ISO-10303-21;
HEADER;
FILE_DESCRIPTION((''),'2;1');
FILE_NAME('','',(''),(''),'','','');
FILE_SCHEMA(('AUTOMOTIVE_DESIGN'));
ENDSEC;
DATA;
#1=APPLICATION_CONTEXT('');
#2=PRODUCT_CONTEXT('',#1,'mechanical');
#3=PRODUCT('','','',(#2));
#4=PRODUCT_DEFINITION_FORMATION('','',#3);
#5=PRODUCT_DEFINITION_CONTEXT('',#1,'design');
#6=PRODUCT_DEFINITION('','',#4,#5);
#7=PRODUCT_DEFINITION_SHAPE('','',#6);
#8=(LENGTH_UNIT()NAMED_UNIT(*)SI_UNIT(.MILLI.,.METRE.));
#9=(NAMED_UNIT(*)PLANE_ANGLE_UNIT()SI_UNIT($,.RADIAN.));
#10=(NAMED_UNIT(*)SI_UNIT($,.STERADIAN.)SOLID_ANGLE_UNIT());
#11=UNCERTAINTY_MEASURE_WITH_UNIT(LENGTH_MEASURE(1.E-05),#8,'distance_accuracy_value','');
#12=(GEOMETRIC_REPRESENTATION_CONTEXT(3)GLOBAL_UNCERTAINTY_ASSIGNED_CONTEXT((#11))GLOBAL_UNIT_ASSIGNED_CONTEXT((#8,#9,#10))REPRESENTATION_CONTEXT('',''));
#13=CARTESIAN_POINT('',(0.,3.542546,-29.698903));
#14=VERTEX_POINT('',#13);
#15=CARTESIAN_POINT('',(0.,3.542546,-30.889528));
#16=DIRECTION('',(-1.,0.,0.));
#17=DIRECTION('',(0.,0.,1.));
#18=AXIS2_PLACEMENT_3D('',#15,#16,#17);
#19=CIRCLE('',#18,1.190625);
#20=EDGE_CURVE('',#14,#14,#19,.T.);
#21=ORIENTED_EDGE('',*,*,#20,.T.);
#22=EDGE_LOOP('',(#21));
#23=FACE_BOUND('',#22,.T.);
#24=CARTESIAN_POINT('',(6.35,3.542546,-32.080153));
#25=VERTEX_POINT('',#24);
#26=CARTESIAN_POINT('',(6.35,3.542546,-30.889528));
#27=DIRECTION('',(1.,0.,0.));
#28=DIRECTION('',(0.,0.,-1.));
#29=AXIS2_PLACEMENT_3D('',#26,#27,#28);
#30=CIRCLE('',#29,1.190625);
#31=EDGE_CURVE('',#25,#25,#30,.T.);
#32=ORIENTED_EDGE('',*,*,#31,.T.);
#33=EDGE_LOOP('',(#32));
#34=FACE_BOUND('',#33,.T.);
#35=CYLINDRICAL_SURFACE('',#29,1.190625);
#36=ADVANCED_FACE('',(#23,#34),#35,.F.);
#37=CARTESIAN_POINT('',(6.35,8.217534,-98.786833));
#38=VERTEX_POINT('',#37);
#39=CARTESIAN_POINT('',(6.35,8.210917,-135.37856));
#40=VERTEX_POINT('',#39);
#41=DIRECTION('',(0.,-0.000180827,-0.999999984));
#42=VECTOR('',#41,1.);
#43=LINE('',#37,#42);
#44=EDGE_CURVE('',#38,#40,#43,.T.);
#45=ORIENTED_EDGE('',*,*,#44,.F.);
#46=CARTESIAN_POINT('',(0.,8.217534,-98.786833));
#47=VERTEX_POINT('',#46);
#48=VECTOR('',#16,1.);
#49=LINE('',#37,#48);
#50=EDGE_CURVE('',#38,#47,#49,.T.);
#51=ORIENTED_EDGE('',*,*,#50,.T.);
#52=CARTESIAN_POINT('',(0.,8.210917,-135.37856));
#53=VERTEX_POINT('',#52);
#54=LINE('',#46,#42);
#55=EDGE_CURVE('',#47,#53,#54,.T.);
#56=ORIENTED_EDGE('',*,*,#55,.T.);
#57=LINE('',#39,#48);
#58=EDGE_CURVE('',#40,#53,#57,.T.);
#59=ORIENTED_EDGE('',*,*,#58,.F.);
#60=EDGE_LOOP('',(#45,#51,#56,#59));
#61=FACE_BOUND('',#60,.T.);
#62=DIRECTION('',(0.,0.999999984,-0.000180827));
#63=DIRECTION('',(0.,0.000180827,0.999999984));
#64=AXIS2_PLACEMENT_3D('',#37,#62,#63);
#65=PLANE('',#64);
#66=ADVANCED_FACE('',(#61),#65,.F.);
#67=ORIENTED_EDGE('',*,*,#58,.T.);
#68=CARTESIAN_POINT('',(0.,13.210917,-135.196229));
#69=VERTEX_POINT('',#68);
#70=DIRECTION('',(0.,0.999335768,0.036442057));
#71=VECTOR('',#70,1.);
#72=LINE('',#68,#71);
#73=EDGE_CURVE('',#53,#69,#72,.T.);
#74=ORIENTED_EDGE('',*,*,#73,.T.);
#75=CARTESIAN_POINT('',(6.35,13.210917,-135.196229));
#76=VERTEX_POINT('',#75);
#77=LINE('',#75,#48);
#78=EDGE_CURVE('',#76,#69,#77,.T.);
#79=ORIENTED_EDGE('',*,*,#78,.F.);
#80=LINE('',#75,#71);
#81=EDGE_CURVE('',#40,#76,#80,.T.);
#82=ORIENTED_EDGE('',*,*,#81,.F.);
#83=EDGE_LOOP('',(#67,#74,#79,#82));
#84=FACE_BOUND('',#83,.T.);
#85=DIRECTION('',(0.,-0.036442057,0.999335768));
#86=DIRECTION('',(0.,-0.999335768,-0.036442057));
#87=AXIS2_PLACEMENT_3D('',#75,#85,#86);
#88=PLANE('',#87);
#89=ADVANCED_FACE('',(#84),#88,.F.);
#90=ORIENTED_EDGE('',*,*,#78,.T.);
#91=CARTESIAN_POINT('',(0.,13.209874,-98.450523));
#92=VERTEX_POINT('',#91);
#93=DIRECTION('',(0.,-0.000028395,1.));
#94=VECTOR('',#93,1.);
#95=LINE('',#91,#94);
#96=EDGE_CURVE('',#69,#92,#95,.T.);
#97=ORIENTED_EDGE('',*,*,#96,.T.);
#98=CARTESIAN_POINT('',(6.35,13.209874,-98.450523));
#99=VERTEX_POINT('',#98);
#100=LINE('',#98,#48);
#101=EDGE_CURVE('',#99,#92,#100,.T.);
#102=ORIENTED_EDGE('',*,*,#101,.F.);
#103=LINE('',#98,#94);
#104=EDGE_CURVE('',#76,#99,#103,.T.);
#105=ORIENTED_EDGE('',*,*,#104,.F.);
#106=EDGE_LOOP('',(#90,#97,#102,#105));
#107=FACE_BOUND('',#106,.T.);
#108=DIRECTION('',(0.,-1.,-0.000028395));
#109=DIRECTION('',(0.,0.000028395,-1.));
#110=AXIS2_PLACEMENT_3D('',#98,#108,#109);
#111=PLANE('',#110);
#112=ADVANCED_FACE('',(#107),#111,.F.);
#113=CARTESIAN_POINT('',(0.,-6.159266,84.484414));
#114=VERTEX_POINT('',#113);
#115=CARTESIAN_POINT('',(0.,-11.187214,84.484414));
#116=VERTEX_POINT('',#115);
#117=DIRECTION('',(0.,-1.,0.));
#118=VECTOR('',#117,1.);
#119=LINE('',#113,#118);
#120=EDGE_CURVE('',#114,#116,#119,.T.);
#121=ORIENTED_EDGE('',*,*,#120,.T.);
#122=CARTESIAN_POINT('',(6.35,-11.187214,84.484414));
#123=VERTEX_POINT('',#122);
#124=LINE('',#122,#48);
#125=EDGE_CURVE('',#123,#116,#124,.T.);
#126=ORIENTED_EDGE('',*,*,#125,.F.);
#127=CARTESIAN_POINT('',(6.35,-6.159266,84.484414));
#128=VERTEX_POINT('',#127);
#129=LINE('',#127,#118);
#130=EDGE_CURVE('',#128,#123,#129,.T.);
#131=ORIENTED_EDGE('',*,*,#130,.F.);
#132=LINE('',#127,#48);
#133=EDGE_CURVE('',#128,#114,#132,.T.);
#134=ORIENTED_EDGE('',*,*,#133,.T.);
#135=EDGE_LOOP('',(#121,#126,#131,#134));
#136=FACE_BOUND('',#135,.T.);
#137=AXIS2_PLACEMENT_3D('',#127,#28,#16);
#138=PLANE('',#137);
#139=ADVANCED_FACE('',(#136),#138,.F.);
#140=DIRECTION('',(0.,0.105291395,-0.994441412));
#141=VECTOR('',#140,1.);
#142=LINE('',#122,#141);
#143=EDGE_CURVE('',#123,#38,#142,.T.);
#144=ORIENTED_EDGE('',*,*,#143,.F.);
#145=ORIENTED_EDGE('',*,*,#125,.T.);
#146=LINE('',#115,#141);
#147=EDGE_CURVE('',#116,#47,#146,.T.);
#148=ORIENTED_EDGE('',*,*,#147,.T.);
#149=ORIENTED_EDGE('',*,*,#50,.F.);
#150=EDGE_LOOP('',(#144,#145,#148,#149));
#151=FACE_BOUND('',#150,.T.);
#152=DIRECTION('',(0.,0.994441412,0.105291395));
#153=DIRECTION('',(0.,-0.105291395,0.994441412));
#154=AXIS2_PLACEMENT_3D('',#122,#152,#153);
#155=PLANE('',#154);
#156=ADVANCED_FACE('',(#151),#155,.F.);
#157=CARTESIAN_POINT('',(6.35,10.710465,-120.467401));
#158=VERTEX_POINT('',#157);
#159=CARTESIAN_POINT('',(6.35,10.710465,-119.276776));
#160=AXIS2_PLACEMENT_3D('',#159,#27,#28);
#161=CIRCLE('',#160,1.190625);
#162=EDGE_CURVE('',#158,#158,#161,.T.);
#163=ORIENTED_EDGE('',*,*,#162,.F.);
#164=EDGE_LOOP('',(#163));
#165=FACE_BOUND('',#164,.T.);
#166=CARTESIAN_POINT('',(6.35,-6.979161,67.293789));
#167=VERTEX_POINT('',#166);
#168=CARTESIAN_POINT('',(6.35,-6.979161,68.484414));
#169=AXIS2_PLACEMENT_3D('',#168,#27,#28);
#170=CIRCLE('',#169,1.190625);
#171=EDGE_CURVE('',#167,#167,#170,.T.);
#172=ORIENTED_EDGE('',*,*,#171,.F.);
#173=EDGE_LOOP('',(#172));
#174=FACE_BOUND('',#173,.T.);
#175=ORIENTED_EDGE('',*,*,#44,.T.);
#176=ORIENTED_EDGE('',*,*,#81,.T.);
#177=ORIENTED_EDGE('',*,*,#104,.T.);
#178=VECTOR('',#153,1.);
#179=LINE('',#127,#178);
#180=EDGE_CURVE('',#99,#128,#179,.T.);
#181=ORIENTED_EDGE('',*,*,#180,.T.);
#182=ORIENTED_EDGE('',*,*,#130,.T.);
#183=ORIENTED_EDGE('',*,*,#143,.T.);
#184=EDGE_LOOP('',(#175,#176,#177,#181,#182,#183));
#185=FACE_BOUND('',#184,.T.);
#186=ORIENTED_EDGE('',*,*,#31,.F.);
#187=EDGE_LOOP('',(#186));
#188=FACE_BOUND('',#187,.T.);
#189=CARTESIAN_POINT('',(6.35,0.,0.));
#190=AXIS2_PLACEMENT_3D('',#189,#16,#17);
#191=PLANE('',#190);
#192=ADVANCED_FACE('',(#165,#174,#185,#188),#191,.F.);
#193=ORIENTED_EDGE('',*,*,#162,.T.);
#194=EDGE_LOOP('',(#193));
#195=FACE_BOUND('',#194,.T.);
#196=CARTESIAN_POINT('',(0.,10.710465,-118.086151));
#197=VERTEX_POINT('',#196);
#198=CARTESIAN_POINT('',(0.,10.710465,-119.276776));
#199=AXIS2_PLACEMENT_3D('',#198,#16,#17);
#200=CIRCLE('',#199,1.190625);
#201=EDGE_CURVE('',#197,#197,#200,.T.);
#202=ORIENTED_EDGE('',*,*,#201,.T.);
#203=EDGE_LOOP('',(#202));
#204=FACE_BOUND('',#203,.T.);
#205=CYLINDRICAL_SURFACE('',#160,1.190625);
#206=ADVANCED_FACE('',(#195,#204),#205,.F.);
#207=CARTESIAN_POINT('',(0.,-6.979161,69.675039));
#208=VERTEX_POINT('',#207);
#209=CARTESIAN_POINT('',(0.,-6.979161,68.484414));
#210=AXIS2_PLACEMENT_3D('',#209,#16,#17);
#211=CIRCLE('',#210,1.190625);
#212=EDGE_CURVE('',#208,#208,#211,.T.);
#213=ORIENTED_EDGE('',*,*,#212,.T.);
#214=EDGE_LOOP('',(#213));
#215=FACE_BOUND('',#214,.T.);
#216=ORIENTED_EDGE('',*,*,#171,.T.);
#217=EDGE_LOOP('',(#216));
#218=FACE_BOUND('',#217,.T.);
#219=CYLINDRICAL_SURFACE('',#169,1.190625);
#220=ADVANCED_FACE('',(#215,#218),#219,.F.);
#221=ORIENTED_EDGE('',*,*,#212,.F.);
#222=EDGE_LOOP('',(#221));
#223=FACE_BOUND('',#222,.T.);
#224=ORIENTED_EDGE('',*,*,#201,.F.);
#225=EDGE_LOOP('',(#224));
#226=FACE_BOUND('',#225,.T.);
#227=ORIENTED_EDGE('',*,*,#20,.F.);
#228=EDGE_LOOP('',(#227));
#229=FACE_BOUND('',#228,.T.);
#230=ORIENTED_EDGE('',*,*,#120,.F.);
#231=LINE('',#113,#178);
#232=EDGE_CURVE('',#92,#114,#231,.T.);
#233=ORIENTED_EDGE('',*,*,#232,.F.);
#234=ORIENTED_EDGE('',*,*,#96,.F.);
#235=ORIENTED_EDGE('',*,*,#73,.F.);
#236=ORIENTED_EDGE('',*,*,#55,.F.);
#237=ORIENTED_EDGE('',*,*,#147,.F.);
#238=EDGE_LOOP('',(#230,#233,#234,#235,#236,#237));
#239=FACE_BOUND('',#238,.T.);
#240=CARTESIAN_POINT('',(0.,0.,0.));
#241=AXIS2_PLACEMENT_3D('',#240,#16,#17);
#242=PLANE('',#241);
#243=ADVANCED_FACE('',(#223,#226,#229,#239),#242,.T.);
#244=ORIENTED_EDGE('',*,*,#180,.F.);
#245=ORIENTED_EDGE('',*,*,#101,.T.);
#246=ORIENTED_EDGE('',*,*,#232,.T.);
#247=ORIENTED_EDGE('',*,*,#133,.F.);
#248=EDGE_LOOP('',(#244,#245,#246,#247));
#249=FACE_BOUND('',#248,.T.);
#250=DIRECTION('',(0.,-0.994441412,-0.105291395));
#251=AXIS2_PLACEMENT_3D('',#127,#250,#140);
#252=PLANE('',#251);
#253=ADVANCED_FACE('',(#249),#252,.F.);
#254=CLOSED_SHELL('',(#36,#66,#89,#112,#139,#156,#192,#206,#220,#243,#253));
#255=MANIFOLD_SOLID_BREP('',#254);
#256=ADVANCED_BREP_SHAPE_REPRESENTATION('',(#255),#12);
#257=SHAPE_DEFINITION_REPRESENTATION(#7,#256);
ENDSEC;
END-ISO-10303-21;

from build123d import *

# Parameters (mm, degrees)
BOSS_EXTRUDE1_DEPTH                 = 6.35
F_3_32_0_09375_DIAMETER_HOLE1_D     = 2.38125
F_3_32_0_09375_DIAMETER_HOLE1_DEPTH = 8
F_3_32_0_09375_DIAMETER_HOLE1_TIP   = 0.715399675


with BuildPart() as part:
    # Sketch8 → Boss-Extrude1 (new body)
    with BuildSketch(Plane(origin=(0, 0, 0), x_dir=(0, 0, -1), z_dir=(1, 0, 0))):
        Polygon((-84.484414223, -6.159266037), (-84.484414223, -11.187214329), (98.786832766, 8.217533909), (135.378560096, 8.21091712), (135.196228698, 13.21091712), (98.450522899, 13.209873734), align=None)
    extrude(amount=BOSS_EXTRUDE1_DEPTH)

    # 3/32 (0.09375) Diameter Hole1
    with Locations(Plane(origin=(6.35, 0, 0), x_dir=(0, 0, -1), z_dir=(1, 0, 0))):
        with Locations((-68.484414223, -6.979161178), (30.889527611, 3.542545606), (119.276776099, 10.71046509)):
            Hole(F_3_32_0_09375_DIAMETER_HOLE1_D / 2, depth=F_3_32_0_09375_DIAMETER_HOLE1_DEPTH)
            with Locations((0, 0, -(F_3_32_0_09375_DIAMETER_HOLE1_DEPTH + F_3_32_0_09375_DIAMETER_HOLE1_TIP / 2))):  # 118° drill point
                Cone(0, F_3_32_0_09375_DIAMETER_HOLE1_D / 2, F_3_32_0_09375_DIAMETER_HOLE1_TIP, mode=Mode.SUBTRACT)


solid = part.part
